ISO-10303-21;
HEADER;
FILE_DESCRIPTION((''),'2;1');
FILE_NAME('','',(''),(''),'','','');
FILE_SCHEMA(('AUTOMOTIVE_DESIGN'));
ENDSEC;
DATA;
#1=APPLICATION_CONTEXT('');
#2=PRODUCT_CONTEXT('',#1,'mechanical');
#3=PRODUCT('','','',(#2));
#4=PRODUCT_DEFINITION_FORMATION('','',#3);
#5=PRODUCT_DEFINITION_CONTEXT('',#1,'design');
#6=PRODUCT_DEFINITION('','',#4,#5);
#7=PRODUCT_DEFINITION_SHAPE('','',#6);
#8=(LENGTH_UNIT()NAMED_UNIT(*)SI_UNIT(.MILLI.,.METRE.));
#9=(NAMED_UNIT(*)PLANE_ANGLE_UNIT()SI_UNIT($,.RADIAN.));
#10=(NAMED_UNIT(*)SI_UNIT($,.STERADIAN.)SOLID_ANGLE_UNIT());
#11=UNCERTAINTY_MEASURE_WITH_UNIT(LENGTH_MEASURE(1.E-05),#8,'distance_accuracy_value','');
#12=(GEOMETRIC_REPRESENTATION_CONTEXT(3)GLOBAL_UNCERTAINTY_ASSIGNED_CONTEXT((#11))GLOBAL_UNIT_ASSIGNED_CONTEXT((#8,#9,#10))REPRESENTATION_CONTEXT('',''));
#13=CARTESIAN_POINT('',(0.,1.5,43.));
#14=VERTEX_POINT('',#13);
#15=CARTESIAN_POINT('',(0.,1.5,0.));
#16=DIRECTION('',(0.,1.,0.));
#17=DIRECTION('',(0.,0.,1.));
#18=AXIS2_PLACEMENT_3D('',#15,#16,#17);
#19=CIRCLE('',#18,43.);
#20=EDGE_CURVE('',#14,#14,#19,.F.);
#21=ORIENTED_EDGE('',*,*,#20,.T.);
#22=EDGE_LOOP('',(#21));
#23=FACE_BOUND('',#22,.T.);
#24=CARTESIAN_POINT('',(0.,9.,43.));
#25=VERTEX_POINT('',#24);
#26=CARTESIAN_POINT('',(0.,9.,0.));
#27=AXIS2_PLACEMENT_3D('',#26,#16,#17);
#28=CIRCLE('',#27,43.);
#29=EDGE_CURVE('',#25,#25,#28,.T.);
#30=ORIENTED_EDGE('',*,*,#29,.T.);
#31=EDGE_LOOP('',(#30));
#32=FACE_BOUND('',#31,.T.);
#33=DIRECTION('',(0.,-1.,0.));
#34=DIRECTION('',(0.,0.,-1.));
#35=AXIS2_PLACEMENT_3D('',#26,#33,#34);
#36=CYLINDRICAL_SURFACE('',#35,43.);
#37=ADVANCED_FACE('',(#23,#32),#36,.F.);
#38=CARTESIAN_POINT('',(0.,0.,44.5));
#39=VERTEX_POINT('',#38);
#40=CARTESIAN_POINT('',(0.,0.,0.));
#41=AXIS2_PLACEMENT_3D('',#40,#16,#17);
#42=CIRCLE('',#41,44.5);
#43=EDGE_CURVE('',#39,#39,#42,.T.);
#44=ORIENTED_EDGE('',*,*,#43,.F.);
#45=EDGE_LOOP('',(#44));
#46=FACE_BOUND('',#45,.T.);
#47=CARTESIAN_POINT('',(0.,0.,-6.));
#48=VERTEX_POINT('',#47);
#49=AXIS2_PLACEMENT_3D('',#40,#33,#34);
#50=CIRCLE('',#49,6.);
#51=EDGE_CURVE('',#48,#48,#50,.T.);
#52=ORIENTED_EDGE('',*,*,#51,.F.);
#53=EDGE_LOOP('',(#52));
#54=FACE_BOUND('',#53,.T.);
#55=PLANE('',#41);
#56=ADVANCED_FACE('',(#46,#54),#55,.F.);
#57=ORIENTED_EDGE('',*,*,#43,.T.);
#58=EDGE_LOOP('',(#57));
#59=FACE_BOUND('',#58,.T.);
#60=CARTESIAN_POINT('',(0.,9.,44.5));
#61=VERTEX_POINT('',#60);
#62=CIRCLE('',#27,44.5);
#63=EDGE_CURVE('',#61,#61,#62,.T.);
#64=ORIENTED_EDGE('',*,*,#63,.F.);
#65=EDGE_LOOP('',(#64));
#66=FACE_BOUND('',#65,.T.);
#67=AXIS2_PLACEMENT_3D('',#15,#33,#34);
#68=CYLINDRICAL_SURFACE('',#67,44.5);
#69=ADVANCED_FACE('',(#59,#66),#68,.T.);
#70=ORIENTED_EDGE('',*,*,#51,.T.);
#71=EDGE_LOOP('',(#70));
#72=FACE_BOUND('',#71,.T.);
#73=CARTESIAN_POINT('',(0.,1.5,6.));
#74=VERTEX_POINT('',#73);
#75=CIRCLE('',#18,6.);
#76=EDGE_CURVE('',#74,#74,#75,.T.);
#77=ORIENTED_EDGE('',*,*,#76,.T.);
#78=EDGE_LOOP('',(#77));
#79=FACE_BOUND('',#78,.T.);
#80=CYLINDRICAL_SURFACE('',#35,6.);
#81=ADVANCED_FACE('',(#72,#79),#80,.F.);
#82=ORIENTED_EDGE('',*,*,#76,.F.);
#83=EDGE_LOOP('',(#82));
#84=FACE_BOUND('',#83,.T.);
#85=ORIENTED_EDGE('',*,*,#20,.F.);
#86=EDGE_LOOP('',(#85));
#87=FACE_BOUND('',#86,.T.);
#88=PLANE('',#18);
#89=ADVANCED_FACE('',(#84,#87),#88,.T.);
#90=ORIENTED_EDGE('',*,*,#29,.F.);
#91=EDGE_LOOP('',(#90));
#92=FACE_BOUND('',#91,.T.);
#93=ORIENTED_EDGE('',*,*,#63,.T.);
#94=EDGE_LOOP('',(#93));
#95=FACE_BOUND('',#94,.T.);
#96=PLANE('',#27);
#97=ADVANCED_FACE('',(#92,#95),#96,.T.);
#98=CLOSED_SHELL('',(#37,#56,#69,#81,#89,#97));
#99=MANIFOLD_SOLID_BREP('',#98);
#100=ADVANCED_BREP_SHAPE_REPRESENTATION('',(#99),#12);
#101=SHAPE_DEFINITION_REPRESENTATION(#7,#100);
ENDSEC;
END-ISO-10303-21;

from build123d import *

# Parameters (mm, degrees)
SKETCH_1_R          = 44.5
EXTRUDE_1_DEPTH     = 1.5
SKETCH_2_R          = 44.5
SKETCH_2_R_2        = 43
EXTRUDE_2_DEPTH     = 7.5
SKETCH_3_R          = 6
CUT_EXTRUDE_1_DEPTH = 64.572792923


with BuildPart() as part:
    # Эскиз1 → Бобышка-Вытянуть1 (new body)
    with BuildSketch(Plane(origin=(0, 0, 0), x_dir=(1, 0, 0), z_dir=(0, 1, 0))):
        with Locations(Location((0, 0, 0), (0, 0, 270))):
            Circle(SKETCH_1_R)
    extrude(amount=EXTRUDE_1_DEPTH)

    # Эскиз2 → Бобышка-Вытянуть2 (add)
    with BuildSketch(Plane(origin=(0, 1.5, 0), x_dir=(1, 0, 0), z_dir=(0, 1, 0))):
        with Locations(Location((0, 0, 0), (0, 0, 270))):
            Circle(SKETCH_2_R)
        with Locations(Location((0, 0, 0), (0, 0, 270))):
            Circle(SKETCH_2_R_2, mode=Mode.SUBTRACT)
    extrude(amount=EXTRUDE_2_DEPTH)

    # Эскиз3 → Вырез-Вытянуть1 (cut, through all)
    with BuildSketch(Plane.XZ):
        with Locations(Location((0, 0, 0), (0, 0, 270))):
            Circle(SKETCH_3_R)
    extrude(amount=-CUT_EXTRUDE_1_DEPTH, mode=Mode.SUBTRACT)


solid = part.part
